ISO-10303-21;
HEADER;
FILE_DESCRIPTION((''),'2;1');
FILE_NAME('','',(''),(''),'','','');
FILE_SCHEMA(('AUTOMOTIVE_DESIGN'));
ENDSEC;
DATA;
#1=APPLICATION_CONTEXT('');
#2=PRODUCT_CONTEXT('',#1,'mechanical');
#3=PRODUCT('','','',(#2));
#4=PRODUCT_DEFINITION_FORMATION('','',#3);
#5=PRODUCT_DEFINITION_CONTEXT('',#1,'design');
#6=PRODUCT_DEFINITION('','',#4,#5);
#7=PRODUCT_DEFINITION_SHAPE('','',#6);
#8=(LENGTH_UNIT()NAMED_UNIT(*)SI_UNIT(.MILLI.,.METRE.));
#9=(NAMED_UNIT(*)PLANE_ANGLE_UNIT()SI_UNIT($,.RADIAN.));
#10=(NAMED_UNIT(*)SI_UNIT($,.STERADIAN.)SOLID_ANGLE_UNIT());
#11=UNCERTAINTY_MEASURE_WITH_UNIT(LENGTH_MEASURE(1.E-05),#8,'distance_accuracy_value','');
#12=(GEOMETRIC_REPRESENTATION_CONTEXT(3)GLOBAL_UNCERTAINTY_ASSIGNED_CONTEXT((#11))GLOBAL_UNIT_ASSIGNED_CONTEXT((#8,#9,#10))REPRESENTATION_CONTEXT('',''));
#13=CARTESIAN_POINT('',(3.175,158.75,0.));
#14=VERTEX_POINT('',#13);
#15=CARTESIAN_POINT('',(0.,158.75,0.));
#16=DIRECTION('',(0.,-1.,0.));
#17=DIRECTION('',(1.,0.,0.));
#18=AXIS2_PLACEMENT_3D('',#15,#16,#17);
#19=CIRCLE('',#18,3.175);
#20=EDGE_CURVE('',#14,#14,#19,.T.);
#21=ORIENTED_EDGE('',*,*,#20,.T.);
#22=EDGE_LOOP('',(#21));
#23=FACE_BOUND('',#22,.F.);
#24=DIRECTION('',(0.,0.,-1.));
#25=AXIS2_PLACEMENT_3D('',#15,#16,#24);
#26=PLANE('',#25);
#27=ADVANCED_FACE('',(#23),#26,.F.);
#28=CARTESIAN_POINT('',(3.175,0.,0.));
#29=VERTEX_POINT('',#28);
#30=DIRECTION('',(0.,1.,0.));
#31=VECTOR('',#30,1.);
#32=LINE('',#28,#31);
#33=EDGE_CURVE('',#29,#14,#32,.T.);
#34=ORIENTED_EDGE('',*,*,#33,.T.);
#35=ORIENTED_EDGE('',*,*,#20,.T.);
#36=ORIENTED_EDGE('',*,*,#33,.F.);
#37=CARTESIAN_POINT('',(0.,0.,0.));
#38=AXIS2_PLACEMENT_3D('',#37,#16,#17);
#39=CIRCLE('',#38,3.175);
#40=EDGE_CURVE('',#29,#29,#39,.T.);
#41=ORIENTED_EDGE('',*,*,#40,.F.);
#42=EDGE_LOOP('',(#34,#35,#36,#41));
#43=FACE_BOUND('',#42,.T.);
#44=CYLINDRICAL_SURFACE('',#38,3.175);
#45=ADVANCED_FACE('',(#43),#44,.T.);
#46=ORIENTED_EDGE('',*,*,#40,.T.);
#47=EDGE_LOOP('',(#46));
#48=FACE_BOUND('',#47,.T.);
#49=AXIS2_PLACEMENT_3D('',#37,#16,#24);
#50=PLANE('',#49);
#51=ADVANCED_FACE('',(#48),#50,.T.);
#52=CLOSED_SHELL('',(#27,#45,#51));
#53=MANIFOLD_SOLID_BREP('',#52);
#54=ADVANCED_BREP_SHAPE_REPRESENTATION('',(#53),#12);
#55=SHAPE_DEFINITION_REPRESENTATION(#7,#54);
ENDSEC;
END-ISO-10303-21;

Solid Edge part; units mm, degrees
sketch "Sketch1" plane through (0, 0, 0) normal (0, -1, 0) x (1, 0, 0)
  circle A0 centre (0, 0) radius 3.175
extrude "Protrusion1" add sketch "Sketch1" against normal blind 158.75
properties part number "ARM-01"
